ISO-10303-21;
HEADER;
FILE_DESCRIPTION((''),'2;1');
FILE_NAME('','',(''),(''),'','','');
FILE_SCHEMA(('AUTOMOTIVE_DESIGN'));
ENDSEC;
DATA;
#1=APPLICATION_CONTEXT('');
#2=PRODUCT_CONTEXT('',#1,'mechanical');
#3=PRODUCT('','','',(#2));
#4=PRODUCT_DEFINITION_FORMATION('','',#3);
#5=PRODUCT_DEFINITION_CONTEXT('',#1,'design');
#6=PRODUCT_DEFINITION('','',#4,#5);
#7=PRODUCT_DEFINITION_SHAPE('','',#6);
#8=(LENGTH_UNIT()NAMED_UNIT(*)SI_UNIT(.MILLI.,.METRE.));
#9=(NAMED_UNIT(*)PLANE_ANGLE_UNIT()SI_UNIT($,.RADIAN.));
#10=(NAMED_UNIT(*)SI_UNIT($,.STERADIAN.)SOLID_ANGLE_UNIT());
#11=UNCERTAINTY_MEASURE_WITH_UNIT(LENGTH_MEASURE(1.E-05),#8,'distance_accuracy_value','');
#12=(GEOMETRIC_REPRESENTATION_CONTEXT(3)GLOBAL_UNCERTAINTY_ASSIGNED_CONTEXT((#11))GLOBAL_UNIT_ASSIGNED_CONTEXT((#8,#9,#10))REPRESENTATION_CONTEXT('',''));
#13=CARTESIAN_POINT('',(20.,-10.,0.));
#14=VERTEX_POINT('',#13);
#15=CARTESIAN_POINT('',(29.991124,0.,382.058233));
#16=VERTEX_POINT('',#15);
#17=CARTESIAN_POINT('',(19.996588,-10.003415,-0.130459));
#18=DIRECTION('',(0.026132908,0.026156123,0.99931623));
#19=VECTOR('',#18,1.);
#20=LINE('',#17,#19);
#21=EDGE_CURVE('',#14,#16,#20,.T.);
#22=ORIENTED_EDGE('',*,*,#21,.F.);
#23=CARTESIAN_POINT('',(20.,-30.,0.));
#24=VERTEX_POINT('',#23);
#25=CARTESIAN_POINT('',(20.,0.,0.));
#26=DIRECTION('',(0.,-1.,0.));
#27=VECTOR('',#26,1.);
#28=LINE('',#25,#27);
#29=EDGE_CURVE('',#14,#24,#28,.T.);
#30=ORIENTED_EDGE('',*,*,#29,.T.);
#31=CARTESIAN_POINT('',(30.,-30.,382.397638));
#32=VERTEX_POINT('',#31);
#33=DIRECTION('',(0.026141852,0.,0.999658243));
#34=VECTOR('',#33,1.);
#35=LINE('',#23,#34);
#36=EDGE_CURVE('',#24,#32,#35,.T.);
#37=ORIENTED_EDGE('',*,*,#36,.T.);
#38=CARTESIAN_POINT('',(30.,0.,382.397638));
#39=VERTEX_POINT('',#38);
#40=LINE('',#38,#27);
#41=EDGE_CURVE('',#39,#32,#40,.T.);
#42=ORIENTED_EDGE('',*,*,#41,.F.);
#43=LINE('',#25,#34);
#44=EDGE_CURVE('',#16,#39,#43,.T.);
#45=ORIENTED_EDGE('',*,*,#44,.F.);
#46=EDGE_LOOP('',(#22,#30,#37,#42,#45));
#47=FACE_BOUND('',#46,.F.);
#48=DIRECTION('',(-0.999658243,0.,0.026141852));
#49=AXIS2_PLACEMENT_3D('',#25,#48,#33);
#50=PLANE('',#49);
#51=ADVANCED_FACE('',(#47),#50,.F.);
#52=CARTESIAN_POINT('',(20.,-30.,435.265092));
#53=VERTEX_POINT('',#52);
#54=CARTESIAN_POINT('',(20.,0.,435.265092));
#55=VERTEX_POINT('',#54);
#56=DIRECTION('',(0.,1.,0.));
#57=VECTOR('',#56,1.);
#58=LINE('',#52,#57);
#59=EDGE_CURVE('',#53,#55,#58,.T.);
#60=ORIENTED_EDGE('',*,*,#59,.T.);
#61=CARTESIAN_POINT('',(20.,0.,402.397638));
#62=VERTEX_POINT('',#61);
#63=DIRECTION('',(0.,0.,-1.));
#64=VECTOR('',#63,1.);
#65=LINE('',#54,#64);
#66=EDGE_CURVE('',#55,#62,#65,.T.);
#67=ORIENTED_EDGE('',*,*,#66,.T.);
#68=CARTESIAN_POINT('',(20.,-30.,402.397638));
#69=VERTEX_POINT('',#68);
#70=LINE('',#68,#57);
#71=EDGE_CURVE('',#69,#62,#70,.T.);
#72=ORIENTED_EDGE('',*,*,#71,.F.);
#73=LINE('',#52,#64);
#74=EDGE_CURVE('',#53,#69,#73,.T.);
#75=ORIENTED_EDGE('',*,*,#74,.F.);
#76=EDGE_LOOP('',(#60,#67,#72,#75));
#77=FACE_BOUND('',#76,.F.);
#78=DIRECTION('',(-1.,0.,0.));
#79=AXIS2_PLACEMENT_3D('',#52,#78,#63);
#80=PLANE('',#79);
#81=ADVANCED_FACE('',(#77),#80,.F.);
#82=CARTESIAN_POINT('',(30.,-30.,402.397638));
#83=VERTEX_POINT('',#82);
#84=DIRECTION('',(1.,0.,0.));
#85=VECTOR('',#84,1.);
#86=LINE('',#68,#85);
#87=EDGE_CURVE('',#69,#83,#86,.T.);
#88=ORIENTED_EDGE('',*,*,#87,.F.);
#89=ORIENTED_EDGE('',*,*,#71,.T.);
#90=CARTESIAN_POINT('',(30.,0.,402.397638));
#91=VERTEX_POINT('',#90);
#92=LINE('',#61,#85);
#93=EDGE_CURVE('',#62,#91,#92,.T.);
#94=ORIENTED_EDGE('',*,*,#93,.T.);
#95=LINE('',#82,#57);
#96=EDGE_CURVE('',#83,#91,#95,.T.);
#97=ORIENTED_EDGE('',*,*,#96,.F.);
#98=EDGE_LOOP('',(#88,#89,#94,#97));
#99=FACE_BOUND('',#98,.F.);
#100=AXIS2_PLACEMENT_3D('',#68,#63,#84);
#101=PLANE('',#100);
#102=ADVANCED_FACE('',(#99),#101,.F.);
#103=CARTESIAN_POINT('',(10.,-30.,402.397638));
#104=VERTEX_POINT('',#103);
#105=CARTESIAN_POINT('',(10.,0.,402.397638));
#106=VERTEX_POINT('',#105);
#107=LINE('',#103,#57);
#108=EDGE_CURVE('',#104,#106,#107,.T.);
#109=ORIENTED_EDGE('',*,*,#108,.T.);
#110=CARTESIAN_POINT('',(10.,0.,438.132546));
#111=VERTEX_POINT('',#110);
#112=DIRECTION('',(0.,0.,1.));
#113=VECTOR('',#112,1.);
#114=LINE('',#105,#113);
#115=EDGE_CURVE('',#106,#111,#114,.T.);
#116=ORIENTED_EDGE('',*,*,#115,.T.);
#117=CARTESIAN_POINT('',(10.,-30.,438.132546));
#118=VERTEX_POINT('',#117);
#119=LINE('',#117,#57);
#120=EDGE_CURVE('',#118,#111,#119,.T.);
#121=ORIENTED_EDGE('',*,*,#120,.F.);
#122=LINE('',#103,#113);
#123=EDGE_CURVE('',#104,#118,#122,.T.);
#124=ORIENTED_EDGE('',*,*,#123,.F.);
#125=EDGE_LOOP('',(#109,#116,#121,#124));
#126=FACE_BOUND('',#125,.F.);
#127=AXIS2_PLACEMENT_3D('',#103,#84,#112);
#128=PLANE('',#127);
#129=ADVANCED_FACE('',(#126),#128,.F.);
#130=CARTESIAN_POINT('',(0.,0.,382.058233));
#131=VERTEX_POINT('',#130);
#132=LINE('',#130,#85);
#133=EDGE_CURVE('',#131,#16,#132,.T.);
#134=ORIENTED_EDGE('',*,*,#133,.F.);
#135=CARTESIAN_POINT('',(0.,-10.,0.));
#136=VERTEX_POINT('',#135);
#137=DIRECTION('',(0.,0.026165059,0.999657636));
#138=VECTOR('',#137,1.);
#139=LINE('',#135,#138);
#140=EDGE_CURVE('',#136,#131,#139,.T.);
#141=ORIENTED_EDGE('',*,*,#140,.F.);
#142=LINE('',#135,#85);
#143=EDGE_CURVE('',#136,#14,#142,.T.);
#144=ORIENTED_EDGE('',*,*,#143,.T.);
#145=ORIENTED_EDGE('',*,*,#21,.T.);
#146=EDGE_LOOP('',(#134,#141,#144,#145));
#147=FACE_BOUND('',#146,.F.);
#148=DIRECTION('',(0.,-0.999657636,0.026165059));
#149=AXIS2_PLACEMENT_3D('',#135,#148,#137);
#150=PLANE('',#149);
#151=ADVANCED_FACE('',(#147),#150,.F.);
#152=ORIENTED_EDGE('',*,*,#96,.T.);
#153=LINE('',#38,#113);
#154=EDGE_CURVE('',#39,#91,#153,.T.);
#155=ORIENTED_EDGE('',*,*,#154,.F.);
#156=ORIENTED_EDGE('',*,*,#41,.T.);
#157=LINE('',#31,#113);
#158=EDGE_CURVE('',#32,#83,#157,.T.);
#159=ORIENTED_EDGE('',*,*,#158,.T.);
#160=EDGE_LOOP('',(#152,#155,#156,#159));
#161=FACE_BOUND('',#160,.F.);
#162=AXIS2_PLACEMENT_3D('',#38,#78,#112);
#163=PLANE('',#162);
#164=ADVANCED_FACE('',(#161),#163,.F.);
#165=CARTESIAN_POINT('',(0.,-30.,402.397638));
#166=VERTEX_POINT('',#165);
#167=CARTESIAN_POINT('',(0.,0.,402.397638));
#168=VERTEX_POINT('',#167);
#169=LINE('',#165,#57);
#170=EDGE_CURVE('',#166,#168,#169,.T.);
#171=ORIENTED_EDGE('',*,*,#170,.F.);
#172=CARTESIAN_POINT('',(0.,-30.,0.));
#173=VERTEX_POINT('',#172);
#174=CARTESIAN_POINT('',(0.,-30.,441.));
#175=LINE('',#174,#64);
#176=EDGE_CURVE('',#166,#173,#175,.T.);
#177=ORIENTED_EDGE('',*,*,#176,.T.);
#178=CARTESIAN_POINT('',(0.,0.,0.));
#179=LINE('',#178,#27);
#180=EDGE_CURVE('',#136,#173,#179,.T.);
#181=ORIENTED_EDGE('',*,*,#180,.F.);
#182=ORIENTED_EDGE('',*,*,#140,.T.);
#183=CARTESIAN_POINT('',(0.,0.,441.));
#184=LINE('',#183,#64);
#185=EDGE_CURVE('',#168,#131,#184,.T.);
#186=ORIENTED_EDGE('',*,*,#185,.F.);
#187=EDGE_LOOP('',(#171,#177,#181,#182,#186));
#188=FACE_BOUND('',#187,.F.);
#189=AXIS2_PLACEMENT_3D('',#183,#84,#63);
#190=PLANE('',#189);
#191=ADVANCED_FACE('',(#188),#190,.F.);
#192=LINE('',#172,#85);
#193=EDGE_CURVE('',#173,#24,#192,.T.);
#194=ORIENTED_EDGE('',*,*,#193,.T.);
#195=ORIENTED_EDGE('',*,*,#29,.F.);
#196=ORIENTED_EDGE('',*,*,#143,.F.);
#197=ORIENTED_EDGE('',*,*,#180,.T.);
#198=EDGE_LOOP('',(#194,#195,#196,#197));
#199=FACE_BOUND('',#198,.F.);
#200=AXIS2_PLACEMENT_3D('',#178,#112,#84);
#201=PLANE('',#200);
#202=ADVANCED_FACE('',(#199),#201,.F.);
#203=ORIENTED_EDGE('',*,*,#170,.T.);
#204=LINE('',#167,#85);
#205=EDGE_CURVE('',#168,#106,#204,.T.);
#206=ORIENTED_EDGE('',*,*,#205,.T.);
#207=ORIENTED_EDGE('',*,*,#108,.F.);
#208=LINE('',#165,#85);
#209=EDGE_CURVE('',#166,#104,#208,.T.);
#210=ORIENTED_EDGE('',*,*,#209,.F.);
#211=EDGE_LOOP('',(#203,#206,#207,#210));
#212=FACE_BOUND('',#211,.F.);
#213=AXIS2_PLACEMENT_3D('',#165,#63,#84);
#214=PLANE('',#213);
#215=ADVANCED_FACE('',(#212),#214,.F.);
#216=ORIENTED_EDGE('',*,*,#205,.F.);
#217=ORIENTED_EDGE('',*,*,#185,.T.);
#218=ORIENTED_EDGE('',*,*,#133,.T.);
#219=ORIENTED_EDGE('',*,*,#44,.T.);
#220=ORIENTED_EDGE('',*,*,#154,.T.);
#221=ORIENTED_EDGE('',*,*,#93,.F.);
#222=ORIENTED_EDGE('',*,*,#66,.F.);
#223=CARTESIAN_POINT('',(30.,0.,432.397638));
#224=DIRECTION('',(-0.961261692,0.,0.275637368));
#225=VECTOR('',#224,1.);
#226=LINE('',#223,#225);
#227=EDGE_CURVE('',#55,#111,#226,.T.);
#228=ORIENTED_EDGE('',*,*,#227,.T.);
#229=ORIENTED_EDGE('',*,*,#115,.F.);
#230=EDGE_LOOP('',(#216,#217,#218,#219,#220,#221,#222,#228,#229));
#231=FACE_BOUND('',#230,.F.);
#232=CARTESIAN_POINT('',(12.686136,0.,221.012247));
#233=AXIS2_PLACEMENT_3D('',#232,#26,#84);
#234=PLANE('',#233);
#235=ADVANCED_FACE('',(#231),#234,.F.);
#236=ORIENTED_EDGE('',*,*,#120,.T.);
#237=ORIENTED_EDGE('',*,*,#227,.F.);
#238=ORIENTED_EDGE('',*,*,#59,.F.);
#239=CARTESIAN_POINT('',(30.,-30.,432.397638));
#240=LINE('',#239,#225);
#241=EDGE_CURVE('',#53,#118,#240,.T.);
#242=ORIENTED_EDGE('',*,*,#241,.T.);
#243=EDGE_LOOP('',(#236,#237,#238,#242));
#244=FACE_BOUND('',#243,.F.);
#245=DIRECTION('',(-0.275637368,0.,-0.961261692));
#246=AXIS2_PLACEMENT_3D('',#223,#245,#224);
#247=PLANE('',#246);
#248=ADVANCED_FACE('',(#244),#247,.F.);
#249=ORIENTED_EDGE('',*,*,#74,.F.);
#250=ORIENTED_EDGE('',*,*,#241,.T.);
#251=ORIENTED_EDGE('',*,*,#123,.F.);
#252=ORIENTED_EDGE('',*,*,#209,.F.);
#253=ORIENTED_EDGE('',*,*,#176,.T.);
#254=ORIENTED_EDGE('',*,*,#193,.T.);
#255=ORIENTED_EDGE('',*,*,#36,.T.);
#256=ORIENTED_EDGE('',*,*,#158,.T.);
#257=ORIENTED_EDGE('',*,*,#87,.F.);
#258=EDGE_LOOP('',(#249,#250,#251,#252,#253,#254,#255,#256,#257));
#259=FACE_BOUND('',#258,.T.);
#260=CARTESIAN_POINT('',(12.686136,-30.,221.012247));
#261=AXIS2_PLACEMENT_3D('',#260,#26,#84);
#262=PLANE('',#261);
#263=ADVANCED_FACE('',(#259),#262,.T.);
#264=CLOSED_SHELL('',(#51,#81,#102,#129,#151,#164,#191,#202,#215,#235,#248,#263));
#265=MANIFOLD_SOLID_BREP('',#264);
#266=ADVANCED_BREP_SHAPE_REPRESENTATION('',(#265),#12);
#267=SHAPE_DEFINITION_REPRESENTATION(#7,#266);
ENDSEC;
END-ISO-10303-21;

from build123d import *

# Parameters (mm, degrees)
F1_DEPTH = 30
F3_DEPTH = 30
F5_DEPTH = 30


with BuildPart() as f1:
    # F0 (on Front) → F1 (new body)
    with BuildSketch(Plane.XZ):
        Polygon((0, 441), (0, 0), (20, 0), (30, 382.397638), (30, 432.397638), align=None)
    extrude(amount=F1_DEPTH)

    # F2 (on face) → F3 (cut)
    with BuildSketch(Plane(origin=(0, 0, 0), x_dir=(0, -1, 0), z_dir=(-1, 0, 0))):
        Polygon((0, 382.058233), (0, 0), (10, 0), align=None)
    extrude(amount=-F3_DEPTH, mode=Mode.SUBTRACT)

    # F4 (on face) → F5 (cut)
    with BuildSketch(Plane.XZ.offset(30)):
        Polygon((30, 402.397638), (30, 432.397638), (20, 435.265092), (20, 402.397638), align=None)
        Polygon((0, 441), (0, 402.397638), (10, 402.397638), (10, 438.132546), align=None)
    extrude(amount=-F5_DEPTH, mode=Mode.SUBTRACT)


solid = f1.part
